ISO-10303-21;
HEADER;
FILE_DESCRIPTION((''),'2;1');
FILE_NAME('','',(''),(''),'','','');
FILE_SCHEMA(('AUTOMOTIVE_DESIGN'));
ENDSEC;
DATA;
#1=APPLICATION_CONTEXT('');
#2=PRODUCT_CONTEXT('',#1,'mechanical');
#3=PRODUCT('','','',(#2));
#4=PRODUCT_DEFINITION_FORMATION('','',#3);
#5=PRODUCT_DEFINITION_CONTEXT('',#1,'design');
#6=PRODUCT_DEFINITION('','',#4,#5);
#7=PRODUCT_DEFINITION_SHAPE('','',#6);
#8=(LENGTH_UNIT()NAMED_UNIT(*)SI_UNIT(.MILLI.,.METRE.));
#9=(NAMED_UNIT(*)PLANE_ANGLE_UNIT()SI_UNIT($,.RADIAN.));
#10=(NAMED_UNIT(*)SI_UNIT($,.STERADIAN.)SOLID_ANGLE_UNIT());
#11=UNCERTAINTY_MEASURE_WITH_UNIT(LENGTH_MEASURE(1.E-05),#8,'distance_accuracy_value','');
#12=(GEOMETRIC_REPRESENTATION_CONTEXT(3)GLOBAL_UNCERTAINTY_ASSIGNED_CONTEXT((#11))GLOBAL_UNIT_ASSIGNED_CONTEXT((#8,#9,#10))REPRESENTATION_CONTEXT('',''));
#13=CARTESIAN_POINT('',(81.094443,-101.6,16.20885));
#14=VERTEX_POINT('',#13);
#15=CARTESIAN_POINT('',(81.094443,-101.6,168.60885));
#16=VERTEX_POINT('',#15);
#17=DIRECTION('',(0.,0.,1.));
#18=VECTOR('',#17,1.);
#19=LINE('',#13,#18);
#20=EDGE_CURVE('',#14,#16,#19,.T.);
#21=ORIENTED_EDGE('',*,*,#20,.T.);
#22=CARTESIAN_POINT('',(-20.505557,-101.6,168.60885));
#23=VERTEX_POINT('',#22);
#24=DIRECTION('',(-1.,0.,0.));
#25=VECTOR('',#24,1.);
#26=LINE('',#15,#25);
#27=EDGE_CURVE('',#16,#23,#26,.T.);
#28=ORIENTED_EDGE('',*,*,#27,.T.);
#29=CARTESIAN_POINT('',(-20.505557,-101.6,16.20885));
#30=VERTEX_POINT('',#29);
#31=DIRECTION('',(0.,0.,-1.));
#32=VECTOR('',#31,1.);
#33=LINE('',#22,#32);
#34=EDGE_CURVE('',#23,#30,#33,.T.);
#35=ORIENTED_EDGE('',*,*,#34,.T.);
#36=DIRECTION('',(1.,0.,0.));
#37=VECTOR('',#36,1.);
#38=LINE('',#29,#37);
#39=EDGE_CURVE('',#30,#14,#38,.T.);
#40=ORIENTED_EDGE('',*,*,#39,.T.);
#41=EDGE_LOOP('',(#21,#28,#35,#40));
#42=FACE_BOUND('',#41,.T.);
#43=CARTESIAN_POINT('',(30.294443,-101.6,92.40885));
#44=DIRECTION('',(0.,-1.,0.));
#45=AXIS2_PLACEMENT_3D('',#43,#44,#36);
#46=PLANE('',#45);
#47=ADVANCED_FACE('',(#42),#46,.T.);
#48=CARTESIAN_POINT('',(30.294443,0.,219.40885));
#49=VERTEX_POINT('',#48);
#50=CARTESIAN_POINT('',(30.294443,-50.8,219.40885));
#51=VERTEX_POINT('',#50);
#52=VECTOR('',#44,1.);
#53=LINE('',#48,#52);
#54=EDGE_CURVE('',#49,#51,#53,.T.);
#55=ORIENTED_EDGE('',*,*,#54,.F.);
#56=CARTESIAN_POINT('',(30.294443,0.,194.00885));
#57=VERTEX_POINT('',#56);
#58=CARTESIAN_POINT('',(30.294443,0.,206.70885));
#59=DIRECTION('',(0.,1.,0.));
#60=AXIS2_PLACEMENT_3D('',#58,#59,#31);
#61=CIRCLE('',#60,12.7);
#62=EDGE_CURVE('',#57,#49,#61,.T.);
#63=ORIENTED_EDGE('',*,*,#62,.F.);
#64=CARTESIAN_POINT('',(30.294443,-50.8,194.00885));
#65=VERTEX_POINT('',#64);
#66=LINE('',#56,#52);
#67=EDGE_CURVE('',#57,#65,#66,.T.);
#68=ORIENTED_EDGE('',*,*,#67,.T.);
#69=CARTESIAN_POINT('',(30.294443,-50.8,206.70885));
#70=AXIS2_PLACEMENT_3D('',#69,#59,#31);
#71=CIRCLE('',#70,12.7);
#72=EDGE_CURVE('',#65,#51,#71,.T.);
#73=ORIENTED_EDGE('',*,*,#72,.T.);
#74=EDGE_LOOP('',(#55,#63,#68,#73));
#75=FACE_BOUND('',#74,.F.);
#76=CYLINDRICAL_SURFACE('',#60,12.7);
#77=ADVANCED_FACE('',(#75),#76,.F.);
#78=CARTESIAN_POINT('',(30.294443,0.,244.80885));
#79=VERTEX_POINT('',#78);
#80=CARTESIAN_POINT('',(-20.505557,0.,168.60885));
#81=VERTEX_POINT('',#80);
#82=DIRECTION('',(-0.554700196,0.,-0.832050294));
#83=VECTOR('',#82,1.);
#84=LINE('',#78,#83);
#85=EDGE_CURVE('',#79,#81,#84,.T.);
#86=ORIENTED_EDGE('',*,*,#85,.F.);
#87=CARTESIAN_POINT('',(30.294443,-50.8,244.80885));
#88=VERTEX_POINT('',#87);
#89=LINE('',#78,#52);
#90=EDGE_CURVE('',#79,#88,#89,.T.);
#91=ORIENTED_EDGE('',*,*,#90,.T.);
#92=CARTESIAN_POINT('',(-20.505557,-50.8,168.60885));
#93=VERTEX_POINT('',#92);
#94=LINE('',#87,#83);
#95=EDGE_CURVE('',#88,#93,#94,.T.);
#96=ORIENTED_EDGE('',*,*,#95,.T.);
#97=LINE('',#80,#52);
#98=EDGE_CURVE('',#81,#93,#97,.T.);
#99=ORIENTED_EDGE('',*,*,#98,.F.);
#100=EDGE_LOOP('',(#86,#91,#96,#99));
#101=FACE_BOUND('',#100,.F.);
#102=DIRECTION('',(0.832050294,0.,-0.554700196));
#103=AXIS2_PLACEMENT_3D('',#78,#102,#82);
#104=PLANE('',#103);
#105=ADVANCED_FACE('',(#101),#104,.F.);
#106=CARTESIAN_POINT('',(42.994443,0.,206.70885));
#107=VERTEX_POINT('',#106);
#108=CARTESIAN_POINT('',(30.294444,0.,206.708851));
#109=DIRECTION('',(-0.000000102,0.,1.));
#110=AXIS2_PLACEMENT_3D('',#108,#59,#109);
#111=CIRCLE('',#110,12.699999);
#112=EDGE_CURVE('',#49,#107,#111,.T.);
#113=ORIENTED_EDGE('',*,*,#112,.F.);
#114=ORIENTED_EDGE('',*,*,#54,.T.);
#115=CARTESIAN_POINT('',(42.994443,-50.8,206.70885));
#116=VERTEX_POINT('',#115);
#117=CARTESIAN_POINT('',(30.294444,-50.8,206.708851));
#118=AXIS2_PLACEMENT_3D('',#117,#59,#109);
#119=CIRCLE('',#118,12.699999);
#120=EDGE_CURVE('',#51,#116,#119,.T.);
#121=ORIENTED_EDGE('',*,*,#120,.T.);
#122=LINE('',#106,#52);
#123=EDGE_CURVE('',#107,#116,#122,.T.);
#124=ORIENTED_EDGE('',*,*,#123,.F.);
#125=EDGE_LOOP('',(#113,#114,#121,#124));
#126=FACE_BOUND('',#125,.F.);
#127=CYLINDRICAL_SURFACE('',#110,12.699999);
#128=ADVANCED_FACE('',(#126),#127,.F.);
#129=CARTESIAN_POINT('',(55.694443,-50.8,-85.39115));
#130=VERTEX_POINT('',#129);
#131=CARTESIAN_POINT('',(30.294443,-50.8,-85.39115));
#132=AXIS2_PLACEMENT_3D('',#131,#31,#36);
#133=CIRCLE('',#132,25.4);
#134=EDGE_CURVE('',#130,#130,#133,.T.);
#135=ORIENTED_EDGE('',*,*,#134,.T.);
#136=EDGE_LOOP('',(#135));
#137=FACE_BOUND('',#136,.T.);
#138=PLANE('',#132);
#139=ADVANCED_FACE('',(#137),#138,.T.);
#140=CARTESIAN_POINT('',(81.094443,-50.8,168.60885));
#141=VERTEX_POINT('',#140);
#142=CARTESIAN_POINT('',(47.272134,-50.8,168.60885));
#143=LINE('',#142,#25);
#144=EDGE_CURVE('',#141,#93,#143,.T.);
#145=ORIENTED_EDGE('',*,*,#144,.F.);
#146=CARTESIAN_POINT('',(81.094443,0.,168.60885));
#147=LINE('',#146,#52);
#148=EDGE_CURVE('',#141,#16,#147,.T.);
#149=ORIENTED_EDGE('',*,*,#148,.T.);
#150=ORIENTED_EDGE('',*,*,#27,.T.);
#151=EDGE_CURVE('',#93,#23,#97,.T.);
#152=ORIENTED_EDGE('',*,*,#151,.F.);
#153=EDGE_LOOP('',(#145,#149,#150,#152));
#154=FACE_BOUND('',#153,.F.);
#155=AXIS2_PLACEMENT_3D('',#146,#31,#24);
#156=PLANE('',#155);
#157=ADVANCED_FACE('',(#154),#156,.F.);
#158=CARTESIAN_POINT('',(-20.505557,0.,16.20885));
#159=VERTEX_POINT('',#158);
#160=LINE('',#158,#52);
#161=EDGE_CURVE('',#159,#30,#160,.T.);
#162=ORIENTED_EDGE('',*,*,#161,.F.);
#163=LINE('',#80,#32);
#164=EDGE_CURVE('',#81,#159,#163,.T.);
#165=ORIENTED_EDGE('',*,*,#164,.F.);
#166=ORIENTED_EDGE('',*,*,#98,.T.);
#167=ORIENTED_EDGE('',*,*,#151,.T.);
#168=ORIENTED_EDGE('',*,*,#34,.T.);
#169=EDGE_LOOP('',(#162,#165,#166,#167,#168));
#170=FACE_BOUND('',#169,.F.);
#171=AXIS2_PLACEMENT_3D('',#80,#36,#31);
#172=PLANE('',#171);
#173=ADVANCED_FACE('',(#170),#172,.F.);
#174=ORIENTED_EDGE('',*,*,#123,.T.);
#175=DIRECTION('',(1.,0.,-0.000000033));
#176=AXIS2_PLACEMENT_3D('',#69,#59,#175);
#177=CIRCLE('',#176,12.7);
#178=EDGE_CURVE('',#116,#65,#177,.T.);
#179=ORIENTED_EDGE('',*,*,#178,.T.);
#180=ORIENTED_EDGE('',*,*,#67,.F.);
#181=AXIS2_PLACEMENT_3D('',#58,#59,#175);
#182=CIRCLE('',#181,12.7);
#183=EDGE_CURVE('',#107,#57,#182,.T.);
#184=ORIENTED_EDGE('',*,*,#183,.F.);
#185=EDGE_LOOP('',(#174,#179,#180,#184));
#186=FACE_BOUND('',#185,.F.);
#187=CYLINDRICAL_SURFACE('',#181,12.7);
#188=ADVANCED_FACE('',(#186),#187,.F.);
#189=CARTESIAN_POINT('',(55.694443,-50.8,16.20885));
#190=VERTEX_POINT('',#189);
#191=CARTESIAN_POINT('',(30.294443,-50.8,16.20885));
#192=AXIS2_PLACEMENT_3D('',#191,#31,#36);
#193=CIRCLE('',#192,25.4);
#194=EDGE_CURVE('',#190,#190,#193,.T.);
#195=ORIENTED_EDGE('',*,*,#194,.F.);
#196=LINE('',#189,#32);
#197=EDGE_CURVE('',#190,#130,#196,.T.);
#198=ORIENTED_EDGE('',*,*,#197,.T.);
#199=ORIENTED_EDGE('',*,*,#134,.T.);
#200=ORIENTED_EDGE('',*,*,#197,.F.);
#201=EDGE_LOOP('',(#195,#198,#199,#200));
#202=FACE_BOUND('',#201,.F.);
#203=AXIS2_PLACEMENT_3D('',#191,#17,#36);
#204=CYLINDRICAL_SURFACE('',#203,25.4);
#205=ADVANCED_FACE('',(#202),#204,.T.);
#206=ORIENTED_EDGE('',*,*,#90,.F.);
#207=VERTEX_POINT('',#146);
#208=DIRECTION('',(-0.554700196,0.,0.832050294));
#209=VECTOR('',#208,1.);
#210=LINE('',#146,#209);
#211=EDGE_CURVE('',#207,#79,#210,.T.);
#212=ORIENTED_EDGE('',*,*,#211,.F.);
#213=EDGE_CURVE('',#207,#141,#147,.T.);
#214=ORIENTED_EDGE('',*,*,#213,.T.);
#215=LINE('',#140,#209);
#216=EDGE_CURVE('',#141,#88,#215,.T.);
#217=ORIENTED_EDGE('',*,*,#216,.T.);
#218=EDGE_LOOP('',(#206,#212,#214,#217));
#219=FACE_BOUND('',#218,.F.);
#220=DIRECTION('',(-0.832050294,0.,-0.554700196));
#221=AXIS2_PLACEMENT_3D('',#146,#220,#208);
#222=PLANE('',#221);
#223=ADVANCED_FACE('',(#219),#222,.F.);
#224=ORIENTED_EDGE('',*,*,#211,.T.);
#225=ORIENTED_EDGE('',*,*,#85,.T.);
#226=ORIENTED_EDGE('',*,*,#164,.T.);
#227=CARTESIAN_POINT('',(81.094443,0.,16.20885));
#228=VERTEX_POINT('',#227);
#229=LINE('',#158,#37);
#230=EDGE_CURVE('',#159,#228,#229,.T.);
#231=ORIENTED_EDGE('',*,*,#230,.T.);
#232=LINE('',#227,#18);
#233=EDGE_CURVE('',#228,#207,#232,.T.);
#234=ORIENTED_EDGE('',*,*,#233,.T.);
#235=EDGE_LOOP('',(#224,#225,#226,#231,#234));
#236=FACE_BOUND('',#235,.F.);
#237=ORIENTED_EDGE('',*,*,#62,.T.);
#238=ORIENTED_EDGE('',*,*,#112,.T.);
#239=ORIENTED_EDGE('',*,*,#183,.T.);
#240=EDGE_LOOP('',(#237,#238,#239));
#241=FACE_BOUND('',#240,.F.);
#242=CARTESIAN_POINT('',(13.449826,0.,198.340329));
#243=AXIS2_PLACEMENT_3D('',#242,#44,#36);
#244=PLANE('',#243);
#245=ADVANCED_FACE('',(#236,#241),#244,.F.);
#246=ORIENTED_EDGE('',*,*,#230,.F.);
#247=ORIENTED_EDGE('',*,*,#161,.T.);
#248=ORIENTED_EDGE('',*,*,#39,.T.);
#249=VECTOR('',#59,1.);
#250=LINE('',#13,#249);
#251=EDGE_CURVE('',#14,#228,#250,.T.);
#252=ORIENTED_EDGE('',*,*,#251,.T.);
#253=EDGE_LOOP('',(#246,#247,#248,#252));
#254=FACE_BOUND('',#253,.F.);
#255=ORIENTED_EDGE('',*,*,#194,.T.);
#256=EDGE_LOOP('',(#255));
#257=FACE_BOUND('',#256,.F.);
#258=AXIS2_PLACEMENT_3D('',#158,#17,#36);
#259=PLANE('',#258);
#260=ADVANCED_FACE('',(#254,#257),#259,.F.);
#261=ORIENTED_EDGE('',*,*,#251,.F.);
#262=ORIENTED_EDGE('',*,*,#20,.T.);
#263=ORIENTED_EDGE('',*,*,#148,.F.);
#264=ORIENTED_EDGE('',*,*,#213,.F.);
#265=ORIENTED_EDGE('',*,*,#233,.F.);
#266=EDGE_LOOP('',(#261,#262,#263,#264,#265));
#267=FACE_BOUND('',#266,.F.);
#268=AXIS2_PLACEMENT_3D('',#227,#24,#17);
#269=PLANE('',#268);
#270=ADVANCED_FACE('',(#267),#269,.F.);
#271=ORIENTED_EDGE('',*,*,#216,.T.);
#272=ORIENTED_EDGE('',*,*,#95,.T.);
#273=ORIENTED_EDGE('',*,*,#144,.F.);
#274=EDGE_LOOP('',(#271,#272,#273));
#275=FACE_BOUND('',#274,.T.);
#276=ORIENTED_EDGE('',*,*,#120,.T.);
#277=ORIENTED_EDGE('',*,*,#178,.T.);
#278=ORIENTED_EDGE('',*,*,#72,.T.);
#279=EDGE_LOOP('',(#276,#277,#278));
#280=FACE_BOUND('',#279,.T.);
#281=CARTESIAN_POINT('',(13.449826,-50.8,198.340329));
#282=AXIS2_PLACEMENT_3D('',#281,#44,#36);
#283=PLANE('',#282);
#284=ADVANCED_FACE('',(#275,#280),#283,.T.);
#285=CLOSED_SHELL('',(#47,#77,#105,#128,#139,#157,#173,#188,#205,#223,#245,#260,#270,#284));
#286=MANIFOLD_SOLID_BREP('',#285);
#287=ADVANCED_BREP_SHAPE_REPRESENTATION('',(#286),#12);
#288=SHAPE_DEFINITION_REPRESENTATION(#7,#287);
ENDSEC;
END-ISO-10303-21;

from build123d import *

# Parameters (mm, degrees)
F1_DEPTH = 101.6
F2_DEPTH = 50.8
F3_R     = 25.4
F4_DEPTH = 101.6


with BuildPart() as f1:
    # F0 (on Front) → F1 (new body)
    with BuildSketch(Plane.XZ):
        Polygon((30.294443, 168.60885), (-20.505557, 168.60885), (-20.505557, 16.20885), (81.094443, 16.20885), (81.094443, 168.60885), align=None)
    extrude(amount=F1_DEPTH)

    # F0 (on Front) → F2 (join)
    with BuildSketch(Plane.XZ):
        with BuildLine():
            Line((30.294443, 244.80885), (-20.505557, 168.60885))
            Line((-20.505557, 168.60885), (30.294443, 168.60885))
            Line((30.294443, 168.60885), (30.294443, 194.00885))
            ThreePointArc((30.294443, 194.00885), (17.594443, 206.70885), (30.294443, 219.40885))
            Line((30.294443, 219.40885), (30.294443, 244.80885))
        make_face()
        Polygon((30.294443, 168.60885), (-20.505557, 168.60885), (-20.505557, 16.20885), (81.094443, 16.20885), (81.094443, 168.60885), align=None)
        with BuildLine():
            Line((30.294443, 194.00885), (30.294443, 168.60885))
            Line((30.294443, 168.60885), (81.094443, 168.60885))
            Line((81.094443, 168.60885), (30.294443, 244.80885))
            Line((30.294443, 244.80885), (30.294443, 219.40885))
            ThreePointArc((30.294443, 219.40885), (39.274699, 215.689107), (42.994443, 206.70885))
            ThreePointArc((42.994443, 206.70885), (39.274699, 197.728594), (30.294443, 194.00885))
        make_face()
    extrude(amount=F2_DEPTH)

    # F3 (on face) → F4 (join)
    with BuildSketch(Plane(origin=(0, 0, 16.20885), x_dir=(1, 0, 0), z_dir=(0, 0, -1))):
        with Locations((30.294443, 50.8)):
            Circle(F3_R)
    extrude(amount=F4_DEPTH)


solid = f1.part
